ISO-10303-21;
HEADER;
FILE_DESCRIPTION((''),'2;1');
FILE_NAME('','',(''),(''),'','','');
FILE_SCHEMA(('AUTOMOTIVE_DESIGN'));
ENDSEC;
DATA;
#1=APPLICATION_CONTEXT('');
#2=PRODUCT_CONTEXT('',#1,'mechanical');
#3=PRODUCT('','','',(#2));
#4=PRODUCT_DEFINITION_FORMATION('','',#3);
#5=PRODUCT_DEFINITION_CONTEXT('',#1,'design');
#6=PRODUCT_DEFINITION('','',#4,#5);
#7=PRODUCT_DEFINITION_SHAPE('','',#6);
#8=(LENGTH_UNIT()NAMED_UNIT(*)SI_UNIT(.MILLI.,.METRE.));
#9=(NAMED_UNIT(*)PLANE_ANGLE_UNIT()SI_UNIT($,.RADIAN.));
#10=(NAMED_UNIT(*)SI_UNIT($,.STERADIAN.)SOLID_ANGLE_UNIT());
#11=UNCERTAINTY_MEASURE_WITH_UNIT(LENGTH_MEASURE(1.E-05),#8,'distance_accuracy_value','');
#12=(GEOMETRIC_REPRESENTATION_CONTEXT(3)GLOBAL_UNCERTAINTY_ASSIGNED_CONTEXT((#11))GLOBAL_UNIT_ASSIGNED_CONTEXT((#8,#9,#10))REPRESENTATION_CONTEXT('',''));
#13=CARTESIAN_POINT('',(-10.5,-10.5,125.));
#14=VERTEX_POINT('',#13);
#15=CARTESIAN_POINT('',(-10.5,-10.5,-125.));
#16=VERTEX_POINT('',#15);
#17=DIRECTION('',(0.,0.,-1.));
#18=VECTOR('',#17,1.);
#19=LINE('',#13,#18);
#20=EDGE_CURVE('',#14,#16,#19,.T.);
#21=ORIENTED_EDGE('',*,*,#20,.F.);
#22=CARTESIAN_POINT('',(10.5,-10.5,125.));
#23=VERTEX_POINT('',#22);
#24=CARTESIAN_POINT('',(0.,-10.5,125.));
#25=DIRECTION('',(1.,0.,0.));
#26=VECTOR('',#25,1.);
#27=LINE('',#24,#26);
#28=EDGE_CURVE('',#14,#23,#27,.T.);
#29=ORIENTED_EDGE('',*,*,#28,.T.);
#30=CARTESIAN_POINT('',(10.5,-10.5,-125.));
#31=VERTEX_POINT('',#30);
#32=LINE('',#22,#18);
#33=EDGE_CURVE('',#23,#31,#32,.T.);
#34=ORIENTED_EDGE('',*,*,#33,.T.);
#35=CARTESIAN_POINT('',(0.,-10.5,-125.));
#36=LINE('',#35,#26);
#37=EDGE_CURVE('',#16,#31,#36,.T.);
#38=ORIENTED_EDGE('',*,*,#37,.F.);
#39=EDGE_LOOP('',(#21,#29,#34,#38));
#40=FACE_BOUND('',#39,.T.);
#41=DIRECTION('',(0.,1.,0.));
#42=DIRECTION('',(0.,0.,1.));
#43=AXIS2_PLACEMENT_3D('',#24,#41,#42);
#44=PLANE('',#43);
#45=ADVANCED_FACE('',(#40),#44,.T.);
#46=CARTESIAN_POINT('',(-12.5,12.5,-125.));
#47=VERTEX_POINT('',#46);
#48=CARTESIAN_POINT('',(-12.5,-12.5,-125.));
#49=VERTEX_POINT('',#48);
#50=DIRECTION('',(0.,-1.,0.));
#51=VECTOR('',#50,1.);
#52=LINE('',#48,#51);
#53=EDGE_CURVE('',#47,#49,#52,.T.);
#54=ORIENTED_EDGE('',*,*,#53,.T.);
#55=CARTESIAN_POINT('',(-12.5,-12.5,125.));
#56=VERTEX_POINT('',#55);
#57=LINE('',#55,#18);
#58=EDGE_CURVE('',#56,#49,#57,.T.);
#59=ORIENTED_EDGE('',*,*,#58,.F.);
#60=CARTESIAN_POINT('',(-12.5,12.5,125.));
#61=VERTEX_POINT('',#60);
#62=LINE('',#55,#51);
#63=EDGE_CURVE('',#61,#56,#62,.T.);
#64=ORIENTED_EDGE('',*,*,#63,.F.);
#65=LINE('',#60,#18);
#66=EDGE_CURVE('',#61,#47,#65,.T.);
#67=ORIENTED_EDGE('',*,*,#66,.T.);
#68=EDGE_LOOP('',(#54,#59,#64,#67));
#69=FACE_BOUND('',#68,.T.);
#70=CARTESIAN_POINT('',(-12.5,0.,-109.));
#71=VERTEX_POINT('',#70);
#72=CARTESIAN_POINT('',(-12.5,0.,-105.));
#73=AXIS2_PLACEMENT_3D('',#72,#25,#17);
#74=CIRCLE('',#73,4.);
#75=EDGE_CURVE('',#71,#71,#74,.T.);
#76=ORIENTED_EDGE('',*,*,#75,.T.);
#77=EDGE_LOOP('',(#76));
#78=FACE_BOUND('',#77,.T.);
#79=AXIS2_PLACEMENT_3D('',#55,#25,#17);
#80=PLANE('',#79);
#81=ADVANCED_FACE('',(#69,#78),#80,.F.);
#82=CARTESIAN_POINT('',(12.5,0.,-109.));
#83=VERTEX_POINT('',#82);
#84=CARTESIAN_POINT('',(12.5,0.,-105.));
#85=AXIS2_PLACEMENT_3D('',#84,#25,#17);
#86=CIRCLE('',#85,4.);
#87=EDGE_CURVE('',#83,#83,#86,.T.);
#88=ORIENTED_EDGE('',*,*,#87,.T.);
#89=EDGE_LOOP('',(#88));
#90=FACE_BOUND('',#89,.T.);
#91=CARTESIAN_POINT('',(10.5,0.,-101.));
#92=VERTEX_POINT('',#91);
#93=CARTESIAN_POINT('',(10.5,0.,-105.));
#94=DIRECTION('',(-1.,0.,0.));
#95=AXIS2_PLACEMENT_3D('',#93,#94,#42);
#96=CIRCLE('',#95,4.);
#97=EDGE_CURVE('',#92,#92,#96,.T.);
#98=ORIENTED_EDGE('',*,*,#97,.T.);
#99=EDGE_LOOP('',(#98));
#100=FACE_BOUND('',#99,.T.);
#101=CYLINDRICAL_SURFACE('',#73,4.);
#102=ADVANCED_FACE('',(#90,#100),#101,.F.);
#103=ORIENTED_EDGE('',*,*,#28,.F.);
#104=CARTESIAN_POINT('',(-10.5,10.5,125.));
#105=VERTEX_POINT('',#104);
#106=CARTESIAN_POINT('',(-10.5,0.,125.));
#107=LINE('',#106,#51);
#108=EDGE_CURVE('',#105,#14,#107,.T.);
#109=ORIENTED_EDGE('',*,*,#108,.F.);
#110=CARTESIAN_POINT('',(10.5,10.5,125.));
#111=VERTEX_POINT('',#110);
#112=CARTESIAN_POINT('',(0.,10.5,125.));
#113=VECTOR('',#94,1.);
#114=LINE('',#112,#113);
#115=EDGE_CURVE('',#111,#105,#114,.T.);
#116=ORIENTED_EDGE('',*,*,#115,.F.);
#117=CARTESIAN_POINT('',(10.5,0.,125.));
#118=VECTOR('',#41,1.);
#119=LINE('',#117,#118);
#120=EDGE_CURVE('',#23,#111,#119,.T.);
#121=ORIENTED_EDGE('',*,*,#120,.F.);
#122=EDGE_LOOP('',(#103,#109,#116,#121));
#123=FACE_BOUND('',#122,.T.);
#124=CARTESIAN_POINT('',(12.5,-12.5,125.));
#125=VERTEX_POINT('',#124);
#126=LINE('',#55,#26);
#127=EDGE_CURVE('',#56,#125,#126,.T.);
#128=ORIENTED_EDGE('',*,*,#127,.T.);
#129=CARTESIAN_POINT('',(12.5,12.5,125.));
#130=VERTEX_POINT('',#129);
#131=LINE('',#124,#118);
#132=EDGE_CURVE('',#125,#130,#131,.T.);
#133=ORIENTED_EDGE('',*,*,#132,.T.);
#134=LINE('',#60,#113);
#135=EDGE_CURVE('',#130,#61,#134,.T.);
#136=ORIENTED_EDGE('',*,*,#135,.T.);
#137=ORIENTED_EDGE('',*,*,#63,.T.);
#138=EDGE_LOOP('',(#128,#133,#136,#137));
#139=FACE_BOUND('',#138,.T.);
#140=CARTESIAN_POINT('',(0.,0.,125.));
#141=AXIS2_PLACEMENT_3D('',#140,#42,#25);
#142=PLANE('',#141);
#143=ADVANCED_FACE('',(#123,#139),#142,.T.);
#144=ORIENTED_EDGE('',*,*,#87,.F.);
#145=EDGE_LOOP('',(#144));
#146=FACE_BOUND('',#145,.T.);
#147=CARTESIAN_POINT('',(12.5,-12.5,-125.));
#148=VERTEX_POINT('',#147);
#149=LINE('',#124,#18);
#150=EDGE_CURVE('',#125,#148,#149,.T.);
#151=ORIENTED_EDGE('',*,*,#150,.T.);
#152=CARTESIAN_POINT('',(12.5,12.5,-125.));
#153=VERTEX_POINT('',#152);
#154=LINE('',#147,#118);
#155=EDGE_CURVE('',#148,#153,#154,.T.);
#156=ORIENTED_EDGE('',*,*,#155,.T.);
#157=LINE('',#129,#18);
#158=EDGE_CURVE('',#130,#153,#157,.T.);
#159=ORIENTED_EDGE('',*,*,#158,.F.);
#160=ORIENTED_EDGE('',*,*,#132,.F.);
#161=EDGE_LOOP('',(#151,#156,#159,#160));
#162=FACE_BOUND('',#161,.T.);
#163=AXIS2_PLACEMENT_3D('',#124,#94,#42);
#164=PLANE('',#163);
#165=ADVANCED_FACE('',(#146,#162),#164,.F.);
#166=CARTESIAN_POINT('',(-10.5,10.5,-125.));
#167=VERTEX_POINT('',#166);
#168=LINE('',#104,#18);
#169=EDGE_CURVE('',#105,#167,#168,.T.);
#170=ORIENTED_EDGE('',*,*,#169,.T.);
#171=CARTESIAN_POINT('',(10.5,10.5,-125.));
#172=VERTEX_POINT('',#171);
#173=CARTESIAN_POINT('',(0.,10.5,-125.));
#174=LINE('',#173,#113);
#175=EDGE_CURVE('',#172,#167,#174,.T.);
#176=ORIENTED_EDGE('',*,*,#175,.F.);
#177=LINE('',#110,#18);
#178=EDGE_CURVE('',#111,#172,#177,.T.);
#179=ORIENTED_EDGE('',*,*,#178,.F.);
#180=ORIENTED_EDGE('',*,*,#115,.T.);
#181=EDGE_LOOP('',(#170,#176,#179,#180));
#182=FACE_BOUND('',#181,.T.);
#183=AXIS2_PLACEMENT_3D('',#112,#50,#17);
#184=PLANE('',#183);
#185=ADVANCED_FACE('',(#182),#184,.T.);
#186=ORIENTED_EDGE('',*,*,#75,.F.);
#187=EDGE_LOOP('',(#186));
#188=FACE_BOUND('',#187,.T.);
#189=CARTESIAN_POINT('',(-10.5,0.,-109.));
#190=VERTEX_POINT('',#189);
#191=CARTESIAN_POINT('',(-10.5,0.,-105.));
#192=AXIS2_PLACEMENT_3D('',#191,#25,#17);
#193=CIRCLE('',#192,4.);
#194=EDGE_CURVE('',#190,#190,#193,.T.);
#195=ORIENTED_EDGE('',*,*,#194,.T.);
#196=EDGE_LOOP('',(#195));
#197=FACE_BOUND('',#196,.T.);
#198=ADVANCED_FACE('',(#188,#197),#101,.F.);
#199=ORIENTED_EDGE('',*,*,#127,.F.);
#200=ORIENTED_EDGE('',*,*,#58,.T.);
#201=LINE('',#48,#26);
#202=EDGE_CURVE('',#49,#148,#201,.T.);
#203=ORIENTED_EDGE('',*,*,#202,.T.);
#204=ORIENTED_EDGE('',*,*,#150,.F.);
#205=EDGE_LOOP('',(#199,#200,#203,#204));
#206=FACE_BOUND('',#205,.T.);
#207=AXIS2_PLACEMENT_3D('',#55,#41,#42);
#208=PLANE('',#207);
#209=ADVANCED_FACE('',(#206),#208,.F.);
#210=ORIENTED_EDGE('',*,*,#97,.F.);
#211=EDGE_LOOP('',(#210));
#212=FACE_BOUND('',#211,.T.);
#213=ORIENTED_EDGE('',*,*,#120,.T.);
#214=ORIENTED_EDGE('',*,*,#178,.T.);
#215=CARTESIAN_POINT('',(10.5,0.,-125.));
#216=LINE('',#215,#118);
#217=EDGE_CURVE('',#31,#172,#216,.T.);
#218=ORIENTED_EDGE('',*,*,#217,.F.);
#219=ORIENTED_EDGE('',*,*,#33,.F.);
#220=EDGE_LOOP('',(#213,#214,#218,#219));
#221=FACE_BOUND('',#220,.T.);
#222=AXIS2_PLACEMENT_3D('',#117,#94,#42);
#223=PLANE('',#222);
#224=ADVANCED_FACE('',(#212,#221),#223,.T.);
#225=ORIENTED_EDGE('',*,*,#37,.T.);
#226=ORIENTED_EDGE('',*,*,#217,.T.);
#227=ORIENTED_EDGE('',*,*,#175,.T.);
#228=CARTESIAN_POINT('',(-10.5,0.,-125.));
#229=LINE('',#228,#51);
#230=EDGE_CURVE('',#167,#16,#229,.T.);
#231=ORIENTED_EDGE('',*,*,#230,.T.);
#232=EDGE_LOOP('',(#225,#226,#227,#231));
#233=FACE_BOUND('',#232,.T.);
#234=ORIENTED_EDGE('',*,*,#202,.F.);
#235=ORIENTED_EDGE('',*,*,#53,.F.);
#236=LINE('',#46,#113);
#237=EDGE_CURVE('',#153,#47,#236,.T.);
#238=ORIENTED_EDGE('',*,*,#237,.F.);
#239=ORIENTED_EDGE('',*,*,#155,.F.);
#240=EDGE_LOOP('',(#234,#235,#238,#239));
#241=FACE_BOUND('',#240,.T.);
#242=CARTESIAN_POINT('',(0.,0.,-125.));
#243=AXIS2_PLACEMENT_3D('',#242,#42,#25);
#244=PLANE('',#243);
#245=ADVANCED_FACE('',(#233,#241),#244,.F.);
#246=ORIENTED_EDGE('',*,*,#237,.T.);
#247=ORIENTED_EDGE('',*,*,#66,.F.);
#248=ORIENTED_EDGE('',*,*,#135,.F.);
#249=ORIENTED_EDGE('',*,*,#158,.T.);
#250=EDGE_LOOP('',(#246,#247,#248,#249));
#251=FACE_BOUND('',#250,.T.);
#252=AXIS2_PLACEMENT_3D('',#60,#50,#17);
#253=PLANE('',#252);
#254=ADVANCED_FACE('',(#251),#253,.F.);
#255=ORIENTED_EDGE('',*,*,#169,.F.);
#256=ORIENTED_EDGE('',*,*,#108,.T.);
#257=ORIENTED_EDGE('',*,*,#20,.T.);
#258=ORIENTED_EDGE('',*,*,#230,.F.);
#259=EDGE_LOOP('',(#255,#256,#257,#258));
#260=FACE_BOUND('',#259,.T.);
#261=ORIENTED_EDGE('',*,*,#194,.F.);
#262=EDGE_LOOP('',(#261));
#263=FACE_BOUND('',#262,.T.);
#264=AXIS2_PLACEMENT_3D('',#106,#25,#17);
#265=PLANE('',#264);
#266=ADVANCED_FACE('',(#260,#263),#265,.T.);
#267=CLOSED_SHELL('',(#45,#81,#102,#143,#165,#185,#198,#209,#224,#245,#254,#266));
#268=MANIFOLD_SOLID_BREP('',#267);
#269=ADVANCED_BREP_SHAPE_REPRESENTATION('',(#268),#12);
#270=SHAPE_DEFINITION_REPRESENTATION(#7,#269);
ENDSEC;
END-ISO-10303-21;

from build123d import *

# Parameters (mm, degrees)
SKETCH2_W           = 25
SKETCH2_H           = 25
SKETCH2_W_2         = 21
SKETCH2_H_2         = 21
EXTRUDE_THIN1_DEPTH = 125
SKETCH3_R           = 4
HOLE_DEPTH          = 129.086884574


with BuildPart() as part:
    # Sketch2 → Extrude-Thin1 (new, symmetric)
    with BuildSketch(Plane.XY):
        Rectangle(SKETCH2_W, SKETCH2_H)
        Rectangle(SKETCH2_W_2, SKETCH2_H_2, mode=Mode.SUBTRACT)
    extrude(amount=EXTRUDE_THIN1_DEPTH, both=True)

    # Sketch3 → hole (cut, through all)
    with BuildSketch(Plane(origin=(12.5, 0, 0), x_dir=(0, 0, -1), z_dir=(1, 0, 0))):
        with Locations((105, 0)):
            Circle(SKETCH3_R)
    extrude(amount=-HOLE_DEPTH, mode=Mode.SUBTRACT)


solid = part.part
